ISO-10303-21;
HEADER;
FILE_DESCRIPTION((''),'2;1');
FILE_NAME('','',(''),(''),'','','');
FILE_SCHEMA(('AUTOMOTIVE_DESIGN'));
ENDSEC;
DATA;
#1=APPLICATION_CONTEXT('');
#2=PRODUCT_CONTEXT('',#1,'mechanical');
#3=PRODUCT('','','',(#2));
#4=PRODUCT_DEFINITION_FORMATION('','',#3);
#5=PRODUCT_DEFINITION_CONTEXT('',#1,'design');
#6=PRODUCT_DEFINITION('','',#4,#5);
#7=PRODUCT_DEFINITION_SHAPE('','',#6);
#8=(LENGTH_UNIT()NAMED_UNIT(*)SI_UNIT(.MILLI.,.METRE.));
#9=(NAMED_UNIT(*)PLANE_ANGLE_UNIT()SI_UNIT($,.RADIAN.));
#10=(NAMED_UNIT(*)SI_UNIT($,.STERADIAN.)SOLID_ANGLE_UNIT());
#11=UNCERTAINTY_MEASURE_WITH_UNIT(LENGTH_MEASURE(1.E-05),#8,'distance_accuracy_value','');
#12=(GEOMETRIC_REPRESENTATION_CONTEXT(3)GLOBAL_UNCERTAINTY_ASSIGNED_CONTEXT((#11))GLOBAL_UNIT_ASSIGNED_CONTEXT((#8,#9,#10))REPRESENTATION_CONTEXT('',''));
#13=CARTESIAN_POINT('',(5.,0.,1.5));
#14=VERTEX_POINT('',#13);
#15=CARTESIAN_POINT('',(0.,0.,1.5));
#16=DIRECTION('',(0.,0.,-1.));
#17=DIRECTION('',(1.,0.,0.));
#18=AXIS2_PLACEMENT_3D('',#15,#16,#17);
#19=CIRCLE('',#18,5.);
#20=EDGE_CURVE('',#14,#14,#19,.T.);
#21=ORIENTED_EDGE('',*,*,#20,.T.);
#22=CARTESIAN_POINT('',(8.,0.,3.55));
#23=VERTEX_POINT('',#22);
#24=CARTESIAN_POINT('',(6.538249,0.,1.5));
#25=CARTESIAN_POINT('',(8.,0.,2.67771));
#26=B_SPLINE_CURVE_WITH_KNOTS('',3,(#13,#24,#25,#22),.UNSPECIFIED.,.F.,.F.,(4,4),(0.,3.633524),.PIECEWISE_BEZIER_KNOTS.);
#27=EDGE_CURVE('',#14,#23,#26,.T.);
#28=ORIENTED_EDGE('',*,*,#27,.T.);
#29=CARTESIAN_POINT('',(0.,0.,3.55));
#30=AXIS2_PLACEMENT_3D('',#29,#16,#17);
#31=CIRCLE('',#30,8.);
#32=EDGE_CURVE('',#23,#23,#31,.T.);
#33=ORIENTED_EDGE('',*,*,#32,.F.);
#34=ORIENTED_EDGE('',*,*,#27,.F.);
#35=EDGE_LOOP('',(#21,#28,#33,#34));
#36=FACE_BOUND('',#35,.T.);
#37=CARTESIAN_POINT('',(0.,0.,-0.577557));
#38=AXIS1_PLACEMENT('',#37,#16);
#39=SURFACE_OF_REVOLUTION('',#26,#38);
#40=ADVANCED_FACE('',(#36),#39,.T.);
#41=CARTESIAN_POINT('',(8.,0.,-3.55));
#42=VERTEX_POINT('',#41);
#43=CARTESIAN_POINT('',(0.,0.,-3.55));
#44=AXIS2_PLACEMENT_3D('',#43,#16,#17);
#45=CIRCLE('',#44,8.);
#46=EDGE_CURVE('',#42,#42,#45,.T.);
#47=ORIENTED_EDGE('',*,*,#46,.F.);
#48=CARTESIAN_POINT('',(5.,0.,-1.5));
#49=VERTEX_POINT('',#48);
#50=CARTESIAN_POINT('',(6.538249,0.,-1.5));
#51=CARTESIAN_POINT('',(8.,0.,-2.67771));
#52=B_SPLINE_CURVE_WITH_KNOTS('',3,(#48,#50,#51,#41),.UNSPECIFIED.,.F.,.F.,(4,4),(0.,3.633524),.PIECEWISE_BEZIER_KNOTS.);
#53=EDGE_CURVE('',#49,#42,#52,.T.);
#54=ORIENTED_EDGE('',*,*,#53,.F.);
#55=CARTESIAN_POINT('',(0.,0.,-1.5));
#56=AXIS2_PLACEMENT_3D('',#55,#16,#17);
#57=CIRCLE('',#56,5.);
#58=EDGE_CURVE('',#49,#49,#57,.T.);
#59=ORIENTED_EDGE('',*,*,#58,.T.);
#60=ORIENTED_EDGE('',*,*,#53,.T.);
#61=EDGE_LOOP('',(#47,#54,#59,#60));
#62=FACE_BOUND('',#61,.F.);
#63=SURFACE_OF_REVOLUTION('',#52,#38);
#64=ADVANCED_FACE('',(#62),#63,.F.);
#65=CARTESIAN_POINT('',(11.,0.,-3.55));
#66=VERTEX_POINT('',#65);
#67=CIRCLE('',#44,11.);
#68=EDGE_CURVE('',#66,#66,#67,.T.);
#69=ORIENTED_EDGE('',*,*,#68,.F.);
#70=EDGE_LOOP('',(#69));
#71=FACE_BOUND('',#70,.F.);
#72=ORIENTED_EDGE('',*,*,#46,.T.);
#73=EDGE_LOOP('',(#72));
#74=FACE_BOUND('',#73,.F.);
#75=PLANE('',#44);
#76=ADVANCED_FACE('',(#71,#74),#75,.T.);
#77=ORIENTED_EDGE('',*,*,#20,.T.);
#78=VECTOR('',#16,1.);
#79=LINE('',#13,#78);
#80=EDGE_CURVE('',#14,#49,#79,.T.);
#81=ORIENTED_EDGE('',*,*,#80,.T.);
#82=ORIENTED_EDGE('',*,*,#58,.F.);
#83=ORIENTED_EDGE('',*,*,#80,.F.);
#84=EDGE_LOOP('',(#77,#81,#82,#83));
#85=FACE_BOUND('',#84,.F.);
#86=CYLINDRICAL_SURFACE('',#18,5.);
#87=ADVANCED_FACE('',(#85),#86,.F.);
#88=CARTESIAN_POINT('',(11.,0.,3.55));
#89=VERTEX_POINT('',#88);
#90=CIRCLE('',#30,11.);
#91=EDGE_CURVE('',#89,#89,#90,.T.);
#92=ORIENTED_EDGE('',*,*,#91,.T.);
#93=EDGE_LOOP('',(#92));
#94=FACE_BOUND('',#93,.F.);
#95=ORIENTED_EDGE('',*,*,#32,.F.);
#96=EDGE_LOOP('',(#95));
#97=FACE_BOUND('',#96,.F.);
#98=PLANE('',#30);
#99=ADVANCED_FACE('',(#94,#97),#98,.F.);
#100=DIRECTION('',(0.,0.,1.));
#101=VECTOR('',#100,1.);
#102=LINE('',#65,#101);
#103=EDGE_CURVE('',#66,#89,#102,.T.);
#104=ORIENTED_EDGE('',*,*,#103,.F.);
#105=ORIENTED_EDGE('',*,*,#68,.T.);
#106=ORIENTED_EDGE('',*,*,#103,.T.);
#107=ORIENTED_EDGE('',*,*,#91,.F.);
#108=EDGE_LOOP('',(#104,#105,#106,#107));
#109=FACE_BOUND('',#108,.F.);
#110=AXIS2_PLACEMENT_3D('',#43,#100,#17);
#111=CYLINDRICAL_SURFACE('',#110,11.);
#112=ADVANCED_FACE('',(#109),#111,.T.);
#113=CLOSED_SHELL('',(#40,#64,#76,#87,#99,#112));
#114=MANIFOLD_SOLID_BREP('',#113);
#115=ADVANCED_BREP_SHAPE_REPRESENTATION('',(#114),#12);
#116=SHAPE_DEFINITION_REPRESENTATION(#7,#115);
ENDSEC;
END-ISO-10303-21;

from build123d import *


with BuildPart() as f1:
    # F0 (on Front) → F1 (revolve)
    with BuildSketch(Plane.XZ):
        with BuildLine():
            add(Edge.make_bspline(
                [(5, 1.5), (6.538249, 1.5), (8, 2.67771), (8, 3.55)],
                knots=[0, 0, 0, 0, 3.633524, 3.633524, 3.633524, 3.633524], degree=3))
            Line((5, 1.5), (5, -1.5))
            add(Edge.make_bspline(
                [(5, -1.5), (6.538249, -1.5), (8, -2.67771), (8, -3.55)],
                knots=[0, 0, 0, 0, 3.633524, 3.633524, 3.633524, 3.633524], degree=3))
            Line((8, -3.55), (11, -3.55))
            Line((11, -3.55), (11, 3.55))
            Line((11, 3.55), (8, 3.55))
        make_face()
    revolve(axis=Axis((0, 0, -0.577557), (0, 0, -1)))


solid = f1.part
